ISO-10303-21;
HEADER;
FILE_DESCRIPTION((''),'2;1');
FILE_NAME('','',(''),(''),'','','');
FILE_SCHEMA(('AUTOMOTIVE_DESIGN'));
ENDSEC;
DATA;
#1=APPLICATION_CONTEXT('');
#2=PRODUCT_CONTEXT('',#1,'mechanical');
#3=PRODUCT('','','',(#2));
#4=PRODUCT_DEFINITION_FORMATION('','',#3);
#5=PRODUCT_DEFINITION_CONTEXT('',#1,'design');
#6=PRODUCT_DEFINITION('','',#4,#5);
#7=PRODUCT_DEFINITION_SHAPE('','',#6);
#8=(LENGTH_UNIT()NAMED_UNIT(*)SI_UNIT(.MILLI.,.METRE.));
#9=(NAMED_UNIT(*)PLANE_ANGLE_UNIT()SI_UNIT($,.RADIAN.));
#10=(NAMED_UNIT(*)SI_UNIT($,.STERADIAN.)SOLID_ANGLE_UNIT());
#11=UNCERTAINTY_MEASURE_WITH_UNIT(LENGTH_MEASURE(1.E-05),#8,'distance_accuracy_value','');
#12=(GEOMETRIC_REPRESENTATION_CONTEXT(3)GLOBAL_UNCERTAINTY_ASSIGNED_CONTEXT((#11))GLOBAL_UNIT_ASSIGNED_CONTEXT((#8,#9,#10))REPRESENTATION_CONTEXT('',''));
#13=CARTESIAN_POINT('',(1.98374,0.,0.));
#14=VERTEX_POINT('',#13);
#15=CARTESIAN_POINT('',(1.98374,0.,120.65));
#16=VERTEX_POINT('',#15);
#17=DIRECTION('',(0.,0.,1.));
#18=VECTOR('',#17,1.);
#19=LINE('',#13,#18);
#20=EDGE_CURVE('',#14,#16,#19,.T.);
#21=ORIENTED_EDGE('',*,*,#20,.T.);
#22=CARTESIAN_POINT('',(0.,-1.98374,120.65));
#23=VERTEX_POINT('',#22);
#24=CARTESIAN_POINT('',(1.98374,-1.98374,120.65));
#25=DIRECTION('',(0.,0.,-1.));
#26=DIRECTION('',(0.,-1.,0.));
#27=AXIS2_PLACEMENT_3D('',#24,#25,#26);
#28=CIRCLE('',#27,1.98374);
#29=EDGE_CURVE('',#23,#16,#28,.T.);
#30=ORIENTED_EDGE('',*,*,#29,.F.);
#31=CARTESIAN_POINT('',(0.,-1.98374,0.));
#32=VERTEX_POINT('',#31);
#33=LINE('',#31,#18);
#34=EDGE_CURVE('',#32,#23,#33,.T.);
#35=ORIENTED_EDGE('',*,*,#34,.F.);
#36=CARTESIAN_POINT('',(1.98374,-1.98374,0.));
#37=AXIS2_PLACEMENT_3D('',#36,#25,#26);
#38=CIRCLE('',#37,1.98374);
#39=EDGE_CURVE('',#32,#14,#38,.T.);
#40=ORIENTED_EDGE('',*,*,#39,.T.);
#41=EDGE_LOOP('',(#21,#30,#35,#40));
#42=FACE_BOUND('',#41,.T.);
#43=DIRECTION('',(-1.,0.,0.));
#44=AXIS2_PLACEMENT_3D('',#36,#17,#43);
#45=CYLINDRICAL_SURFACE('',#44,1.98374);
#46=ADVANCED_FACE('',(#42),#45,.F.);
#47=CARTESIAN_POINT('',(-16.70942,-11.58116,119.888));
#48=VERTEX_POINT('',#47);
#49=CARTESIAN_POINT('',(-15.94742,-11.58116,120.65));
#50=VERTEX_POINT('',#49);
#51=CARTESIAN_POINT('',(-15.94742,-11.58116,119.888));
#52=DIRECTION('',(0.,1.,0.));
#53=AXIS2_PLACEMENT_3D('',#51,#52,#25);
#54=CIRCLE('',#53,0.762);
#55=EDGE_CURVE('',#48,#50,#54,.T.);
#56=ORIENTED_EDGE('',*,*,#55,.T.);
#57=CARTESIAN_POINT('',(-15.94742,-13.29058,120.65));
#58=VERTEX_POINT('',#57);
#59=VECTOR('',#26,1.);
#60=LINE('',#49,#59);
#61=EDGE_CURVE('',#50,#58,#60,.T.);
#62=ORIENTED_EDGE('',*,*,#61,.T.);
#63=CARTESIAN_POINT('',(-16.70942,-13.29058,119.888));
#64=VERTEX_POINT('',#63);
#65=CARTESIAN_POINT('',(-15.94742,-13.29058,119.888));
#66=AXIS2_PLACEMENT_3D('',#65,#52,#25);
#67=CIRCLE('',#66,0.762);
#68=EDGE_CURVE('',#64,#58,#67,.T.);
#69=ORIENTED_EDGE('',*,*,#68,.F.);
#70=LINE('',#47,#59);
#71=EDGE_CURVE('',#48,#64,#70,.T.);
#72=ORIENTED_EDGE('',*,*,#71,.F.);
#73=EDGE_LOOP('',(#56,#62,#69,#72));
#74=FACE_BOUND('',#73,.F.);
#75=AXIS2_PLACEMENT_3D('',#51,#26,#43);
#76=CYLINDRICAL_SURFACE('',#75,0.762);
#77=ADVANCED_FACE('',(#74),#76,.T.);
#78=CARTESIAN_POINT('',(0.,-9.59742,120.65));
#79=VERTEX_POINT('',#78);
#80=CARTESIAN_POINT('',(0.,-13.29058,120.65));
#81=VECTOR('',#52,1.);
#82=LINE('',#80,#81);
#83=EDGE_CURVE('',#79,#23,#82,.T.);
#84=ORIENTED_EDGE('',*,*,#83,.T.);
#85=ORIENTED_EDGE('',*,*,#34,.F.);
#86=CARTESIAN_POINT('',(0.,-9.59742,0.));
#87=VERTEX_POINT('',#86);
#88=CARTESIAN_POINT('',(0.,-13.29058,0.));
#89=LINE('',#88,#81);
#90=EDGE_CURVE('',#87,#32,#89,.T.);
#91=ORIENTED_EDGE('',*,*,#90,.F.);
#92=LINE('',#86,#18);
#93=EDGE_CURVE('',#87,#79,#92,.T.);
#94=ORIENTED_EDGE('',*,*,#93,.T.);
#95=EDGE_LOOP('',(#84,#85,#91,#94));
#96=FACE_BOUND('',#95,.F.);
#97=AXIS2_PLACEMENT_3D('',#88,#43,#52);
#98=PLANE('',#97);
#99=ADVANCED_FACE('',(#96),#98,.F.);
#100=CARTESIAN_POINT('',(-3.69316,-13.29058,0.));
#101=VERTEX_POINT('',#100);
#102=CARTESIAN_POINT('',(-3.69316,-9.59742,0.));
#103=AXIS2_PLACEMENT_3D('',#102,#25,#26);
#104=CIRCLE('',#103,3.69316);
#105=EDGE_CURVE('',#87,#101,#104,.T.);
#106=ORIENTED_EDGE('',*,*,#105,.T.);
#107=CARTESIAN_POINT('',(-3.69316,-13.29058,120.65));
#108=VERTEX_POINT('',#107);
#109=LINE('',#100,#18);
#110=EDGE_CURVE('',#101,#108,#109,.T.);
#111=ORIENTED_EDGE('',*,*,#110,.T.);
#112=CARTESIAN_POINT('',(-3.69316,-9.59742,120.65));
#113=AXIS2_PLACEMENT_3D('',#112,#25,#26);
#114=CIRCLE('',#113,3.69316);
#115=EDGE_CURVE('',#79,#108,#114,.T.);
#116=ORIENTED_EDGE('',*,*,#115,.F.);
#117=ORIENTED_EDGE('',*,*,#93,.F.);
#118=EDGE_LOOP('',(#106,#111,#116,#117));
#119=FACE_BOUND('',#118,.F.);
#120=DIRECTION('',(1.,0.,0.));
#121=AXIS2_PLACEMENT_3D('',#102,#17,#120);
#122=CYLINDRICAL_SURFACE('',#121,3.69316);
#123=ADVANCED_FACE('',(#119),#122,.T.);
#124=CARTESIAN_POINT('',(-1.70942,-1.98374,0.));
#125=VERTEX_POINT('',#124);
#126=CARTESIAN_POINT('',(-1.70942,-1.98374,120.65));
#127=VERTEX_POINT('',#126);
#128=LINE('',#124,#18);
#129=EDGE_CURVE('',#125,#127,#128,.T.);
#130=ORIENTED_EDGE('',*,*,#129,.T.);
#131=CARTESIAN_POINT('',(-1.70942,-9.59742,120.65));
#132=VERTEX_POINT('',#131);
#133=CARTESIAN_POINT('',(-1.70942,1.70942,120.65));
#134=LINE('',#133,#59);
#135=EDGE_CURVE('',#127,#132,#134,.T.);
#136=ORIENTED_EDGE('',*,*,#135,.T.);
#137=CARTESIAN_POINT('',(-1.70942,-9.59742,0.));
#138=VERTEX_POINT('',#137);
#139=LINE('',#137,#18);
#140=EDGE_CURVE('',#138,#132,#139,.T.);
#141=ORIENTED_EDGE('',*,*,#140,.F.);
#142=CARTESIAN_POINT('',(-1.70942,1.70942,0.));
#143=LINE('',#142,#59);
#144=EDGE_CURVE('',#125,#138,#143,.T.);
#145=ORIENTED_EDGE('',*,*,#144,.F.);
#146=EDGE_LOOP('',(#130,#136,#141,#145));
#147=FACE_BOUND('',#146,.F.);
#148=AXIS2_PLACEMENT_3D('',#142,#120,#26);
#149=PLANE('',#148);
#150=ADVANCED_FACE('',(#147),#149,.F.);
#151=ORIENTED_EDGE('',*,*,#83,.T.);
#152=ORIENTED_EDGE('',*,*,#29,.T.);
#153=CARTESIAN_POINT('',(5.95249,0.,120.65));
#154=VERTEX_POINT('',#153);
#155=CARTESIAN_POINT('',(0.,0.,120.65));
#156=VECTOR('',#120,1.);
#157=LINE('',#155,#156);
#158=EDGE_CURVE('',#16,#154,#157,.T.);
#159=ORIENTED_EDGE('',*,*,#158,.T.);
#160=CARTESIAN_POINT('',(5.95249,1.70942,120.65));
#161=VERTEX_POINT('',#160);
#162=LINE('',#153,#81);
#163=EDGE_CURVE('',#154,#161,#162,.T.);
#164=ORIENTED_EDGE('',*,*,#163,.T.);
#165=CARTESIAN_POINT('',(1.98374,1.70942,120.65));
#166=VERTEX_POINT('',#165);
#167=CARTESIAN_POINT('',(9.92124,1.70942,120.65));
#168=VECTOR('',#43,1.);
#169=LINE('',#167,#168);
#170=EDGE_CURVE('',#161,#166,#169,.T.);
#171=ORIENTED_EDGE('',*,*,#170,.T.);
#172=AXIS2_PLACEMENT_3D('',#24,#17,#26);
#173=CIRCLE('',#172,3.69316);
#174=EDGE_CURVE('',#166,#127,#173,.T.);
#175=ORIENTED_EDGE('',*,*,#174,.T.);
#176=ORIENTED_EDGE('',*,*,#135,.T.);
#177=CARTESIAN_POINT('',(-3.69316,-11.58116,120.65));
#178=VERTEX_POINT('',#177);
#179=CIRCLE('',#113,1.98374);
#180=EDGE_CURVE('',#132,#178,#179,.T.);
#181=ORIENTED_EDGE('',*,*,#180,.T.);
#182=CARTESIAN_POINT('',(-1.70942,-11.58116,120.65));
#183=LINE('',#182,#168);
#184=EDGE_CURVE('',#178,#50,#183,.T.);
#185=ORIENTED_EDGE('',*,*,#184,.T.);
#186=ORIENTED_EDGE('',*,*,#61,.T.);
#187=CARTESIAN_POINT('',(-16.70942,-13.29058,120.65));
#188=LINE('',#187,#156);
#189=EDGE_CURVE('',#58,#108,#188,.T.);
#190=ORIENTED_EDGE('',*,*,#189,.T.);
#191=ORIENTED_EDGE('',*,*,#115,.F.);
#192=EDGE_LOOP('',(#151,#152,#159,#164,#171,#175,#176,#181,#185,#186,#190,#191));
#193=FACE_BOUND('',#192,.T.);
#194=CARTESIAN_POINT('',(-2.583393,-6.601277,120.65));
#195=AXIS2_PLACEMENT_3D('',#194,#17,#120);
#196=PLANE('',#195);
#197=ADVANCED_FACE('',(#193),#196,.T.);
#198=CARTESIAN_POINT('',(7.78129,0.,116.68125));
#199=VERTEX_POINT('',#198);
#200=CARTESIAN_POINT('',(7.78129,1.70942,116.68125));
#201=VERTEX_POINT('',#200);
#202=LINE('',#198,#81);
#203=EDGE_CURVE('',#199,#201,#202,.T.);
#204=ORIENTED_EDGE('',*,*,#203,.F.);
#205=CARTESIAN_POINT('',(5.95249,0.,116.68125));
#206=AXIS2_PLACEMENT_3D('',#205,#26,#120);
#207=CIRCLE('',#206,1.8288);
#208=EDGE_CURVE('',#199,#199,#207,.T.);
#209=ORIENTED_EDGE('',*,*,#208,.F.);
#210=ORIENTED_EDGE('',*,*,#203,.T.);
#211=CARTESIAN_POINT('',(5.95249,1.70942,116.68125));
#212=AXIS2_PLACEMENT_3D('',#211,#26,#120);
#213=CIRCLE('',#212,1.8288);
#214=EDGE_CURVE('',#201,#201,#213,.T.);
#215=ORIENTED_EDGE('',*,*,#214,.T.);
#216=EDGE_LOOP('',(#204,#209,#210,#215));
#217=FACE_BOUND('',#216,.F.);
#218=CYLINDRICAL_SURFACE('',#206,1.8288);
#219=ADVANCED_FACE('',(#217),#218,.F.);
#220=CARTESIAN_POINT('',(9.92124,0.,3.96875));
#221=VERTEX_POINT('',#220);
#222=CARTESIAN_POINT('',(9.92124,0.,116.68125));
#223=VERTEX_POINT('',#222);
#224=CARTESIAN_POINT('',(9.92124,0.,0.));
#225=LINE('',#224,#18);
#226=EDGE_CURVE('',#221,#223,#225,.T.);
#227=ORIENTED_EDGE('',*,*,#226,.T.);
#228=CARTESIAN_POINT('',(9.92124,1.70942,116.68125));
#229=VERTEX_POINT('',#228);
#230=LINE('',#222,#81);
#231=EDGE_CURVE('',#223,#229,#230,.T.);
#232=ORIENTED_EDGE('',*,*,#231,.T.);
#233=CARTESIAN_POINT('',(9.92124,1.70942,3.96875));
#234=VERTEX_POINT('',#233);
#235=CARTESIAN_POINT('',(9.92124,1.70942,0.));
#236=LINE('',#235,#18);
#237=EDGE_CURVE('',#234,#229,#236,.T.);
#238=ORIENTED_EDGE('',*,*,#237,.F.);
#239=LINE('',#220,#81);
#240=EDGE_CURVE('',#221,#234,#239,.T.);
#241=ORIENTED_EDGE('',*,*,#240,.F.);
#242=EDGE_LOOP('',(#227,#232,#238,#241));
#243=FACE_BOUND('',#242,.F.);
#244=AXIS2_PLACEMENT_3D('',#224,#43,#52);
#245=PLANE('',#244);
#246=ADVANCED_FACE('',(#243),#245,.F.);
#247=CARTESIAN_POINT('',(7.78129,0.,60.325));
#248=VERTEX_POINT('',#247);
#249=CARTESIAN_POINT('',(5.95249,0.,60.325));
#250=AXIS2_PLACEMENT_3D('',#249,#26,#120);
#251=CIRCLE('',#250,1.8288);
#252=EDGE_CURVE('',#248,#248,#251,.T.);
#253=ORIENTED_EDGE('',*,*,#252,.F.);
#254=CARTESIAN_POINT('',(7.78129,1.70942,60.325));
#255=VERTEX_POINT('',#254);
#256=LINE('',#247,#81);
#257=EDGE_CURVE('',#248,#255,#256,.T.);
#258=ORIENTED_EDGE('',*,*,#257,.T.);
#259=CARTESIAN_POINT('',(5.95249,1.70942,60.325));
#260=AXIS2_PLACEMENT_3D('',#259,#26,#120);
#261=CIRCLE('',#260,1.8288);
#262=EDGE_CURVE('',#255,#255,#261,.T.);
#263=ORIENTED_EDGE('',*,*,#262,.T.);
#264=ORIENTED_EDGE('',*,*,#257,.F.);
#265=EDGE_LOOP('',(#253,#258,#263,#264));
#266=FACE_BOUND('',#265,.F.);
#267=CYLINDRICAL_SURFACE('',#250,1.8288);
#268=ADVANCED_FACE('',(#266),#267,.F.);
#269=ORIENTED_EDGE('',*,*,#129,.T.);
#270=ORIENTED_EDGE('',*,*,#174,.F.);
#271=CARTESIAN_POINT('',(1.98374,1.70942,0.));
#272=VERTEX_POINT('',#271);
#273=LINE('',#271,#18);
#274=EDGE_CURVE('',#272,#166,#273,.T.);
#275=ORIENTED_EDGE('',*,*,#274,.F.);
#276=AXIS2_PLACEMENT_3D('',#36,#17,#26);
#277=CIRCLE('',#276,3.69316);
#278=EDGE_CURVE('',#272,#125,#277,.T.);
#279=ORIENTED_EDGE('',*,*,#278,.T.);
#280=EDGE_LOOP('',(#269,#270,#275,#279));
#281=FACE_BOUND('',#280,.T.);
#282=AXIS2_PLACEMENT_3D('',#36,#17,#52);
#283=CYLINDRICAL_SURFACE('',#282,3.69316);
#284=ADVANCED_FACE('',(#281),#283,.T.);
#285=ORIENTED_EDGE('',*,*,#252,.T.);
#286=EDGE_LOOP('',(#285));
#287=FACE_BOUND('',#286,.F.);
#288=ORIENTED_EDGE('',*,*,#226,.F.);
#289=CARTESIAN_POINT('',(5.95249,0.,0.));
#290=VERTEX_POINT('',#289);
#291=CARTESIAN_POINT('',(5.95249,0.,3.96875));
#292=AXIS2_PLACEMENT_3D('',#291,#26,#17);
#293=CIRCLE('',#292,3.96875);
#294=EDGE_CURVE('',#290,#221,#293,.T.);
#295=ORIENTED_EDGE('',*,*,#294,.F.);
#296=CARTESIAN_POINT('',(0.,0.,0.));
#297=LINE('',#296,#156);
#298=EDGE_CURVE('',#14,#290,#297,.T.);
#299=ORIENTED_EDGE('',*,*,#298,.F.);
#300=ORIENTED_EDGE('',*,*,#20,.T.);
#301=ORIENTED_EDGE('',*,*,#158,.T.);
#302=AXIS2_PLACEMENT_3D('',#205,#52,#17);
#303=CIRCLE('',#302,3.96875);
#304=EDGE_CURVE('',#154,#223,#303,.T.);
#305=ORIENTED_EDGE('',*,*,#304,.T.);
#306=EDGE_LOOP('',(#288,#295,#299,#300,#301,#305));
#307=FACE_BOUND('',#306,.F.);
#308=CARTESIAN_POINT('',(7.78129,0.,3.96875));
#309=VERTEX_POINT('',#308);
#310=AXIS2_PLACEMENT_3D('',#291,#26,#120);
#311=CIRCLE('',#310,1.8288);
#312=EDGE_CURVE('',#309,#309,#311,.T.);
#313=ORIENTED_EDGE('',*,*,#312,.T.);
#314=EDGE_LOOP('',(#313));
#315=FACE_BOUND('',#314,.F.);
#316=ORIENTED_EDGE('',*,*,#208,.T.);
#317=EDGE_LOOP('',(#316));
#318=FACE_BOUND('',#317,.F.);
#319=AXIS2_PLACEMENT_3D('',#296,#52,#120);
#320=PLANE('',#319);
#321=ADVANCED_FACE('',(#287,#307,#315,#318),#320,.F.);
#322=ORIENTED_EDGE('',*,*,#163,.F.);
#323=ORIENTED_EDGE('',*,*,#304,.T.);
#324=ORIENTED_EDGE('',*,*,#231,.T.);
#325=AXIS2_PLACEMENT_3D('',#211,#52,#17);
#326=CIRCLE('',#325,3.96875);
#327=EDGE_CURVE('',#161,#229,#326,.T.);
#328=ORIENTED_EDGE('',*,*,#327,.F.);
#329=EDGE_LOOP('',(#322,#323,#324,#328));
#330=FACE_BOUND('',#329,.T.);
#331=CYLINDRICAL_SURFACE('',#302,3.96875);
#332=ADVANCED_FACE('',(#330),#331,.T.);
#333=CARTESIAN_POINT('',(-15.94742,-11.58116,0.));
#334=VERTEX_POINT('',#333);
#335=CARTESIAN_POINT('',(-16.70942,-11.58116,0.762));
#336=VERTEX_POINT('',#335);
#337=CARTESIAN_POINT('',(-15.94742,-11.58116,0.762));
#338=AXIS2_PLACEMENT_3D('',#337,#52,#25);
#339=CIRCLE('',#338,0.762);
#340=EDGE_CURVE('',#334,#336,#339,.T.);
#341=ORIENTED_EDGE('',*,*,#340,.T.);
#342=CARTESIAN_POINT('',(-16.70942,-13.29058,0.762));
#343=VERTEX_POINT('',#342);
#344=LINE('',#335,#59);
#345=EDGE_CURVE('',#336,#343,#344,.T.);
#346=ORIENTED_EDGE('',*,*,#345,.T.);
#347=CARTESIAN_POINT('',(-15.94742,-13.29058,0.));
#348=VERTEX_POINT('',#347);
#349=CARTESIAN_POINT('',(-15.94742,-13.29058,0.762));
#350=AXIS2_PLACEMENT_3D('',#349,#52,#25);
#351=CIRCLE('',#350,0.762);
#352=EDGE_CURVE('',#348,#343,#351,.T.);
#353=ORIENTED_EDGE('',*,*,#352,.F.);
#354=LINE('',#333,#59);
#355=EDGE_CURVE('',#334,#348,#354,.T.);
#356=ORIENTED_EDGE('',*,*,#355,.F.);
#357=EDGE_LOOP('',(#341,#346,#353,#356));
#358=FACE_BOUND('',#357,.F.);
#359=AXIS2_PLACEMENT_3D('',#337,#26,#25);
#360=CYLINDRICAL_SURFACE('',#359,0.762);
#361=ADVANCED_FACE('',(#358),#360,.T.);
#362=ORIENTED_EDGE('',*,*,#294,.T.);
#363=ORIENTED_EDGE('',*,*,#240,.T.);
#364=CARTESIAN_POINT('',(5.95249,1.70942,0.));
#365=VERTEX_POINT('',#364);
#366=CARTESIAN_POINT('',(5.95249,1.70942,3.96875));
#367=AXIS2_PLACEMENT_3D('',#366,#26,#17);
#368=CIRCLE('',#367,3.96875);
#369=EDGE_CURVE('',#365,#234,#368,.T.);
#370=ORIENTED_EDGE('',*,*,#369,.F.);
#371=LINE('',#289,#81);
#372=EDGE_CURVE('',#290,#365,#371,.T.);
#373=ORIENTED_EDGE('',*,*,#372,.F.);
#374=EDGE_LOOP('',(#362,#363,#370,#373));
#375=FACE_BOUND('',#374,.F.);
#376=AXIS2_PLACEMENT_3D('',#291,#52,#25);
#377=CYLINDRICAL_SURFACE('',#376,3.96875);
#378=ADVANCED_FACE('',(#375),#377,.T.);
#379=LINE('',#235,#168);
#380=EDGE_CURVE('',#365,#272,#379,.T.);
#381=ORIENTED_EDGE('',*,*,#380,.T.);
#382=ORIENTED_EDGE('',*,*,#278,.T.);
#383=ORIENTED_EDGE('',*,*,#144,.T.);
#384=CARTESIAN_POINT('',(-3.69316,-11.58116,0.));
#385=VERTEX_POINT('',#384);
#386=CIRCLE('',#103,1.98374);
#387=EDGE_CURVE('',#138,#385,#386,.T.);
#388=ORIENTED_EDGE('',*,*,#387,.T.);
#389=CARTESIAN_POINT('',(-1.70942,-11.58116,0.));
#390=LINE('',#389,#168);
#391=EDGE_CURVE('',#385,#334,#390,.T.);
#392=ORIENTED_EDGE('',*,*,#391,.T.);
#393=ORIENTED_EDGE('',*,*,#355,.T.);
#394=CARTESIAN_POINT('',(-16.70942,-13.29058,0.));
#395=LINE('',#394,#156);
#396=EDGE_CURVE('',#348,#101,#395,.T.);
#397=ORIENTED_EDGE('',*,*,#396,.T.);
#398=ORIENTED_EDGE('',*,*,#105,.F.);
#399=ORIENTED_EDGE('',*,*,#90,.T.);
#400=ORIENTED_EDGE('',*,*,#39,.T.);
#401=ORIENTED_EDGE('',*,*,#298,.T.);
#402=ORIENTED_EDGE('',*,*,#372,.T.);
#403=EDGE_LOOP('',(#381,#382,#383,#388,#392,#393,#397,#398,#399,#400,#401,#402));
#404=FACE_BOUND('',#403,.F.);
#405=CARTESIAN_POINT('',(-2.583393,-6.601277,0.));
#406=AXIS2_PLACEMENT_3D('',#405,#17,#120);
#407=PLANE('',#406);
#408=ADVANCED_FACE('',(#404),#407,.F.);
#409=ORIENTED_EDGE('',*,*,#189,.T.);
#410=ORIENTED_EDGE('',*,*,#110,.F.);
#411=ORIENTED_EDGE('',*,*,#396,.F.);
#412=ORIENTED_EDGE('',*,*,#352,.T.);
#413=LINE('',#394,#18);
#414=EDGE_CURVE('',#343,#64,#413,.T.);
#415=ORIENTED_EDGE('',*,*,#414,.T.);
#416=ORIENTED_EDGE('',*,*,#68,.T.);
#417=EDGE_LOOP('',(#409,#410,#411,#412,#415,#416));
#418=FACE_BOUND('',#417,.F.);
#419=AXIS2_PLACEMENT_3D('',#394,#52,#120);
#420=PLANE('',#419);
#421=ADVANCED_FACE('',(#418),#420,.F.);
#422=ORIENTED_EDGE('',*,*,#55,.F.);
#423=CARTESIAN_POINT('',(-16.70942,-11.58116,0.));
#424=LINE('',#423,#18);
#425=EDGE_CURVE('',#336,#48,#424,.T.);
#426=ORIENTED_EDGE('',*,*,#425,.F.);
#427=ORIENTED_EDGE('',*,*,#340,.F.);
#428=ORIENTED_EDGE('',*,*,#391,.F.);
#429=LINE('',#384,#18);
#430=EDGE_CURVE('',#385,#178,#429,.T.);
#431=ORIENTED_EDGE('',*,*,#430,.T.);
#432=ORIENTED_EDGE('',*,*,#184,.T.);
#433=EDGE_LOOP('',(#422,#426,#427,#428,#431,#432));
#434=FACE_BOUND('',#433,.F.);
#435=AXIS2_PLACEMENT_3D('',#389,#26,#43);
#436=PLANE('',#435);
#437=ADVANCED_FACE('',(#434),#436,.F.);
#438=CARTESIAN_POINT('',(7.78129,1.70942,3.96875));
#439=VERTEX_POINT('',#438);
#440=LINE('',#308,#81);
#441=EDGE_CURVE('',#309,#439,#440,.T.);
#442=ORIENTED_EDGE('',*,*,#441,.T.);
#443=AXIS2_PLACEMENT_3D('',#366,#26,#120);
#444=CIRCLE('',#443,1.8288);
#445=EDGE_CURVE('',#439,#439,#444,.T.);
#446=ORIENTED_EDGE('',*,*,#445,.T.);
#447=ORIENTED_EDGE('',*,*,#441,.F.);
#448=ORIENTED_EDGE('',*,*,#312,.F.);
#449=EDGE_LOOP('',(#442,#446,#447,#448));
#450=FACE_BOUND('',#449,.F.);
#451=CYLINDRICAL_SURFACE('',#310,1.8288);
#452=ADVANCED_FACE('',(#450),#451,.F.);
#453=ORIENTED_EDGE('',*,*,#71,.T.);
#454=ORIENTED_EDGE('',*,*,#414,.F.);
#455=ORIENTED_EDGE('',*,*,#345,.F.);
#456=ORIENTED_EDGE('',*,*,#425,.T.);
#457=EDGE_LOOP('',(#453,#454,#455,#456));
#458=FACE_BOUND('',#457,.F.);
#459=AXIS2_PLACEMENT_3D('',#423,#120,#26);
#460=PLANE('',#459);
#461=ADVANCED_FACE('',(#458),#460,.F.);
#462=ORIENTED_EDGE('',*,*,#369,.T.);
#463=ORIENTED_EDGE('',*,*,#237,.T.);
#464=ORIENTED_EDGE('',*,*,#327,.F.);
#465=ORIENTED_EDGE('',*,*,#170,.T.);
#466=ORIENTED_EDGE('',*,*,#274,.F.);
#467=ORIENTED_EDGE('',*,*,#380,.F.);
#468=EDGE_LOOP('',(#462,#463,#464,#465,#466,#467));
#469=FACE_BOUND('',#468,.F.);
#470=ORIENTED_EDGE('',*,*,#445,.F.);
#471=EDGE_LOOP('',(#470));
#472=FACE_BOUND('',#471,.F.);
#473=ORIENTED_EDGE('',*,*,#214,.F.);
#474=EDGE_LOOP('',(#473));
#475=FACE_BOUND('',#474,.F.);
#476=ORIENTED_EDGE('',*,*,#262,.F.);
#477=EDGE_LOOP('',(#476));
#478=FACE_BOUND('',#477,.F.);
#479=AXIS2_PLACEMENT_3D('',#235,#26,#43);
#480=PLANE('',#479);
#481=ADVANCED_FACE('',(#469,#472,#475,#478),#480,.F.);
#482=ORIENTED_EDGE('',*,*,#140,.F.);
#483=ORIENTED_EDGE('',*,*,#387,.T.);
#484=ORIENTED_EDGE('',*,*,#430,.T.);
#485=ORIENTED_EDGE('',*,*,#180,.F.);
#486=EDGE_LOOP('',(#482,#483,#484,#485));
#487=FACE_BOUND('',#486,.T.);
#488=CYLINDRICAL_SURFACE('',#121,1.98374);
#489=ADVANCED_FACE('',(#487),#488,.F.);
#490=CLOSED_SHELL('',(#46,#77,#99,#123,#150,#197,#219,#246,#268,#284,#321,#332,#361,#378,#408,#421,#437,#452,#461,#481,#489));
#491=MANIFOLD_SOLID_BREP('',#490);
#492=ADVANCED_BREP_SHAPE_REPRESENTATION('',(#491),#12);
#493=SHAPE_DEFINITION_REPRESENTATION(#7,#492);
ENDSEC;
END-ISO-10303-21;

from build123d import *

# Parameters (mm, degrees)
F1_DEPTH = 120.65
F2_R     = 1.98374
F3_R     = 3.69316
F4_R     = 3.96875
F5_R     = 0.762
F6_R     = 1.8288
F7_DEPTH = 1.70942


with BuildPart() as f1:
    # F0 (on Top) → F1 (new body)
    with BuildSketch(Plane.XY):
        Polygon((0, -13.29058), (0, 0), (9.92124, 0), (9.92124, 1.70942), (-1.70942, 1.70942), (-1.70942, -11.58116), (-16.70942, -11.58116), (-16.70942, -13.29058), align=None)
    extrude(amount=F1_DEPTH)

    # F2
    f2_edges = [f1.edges().sort_by_distance(p)[0] for p in [
        (0, 0, 60.325),
        (-1.70942, -11.58116, 60.325),
    ]]
    fillet(f2_edges, radius=F2_R)

    # F3
    f3_edges = [f1.edges().sort_by_distance(p)[0] for p in [
        (0, -13.29058, 60.325),
        (-1.70942, 1.70942, 60.325),
    ]]
    fillet(f3_edges, radius=F3_R)

    # F4
    f4_edges = [f1.edges().sort_by_distance(p)[0] for p in [
        (9.92124, 0.85471, 120.65),
        (9.92124, 0.85471, 0),
    ]]
    fillet(f4_edges, radius=F4_R)

    # F5
    f5_edges = [f1.edges().sort_by_distance(p)[0] for p in [
        (-16.70942, -12.43587, 0),
        (-16.70942, -12.43587, 120.65),
    ]]
    fillet(f5_edges, radius=F5_R)

    # F6 (on face) → F7 (cut, through all)
    with BuildSketch(Plane.XZ):
        with Locations((5.95249, 116.68125)):
            Circle(F6_R)
        with Locations((5.95249, 3.96875)):
            Circle(F6_R)
        with Locations((5.95249, 60.325)):
            Circle(F6_R)
    extrude(amount=-F7_DEPTH, mode=Mode.SUBTRACT)


solid = f1.part
